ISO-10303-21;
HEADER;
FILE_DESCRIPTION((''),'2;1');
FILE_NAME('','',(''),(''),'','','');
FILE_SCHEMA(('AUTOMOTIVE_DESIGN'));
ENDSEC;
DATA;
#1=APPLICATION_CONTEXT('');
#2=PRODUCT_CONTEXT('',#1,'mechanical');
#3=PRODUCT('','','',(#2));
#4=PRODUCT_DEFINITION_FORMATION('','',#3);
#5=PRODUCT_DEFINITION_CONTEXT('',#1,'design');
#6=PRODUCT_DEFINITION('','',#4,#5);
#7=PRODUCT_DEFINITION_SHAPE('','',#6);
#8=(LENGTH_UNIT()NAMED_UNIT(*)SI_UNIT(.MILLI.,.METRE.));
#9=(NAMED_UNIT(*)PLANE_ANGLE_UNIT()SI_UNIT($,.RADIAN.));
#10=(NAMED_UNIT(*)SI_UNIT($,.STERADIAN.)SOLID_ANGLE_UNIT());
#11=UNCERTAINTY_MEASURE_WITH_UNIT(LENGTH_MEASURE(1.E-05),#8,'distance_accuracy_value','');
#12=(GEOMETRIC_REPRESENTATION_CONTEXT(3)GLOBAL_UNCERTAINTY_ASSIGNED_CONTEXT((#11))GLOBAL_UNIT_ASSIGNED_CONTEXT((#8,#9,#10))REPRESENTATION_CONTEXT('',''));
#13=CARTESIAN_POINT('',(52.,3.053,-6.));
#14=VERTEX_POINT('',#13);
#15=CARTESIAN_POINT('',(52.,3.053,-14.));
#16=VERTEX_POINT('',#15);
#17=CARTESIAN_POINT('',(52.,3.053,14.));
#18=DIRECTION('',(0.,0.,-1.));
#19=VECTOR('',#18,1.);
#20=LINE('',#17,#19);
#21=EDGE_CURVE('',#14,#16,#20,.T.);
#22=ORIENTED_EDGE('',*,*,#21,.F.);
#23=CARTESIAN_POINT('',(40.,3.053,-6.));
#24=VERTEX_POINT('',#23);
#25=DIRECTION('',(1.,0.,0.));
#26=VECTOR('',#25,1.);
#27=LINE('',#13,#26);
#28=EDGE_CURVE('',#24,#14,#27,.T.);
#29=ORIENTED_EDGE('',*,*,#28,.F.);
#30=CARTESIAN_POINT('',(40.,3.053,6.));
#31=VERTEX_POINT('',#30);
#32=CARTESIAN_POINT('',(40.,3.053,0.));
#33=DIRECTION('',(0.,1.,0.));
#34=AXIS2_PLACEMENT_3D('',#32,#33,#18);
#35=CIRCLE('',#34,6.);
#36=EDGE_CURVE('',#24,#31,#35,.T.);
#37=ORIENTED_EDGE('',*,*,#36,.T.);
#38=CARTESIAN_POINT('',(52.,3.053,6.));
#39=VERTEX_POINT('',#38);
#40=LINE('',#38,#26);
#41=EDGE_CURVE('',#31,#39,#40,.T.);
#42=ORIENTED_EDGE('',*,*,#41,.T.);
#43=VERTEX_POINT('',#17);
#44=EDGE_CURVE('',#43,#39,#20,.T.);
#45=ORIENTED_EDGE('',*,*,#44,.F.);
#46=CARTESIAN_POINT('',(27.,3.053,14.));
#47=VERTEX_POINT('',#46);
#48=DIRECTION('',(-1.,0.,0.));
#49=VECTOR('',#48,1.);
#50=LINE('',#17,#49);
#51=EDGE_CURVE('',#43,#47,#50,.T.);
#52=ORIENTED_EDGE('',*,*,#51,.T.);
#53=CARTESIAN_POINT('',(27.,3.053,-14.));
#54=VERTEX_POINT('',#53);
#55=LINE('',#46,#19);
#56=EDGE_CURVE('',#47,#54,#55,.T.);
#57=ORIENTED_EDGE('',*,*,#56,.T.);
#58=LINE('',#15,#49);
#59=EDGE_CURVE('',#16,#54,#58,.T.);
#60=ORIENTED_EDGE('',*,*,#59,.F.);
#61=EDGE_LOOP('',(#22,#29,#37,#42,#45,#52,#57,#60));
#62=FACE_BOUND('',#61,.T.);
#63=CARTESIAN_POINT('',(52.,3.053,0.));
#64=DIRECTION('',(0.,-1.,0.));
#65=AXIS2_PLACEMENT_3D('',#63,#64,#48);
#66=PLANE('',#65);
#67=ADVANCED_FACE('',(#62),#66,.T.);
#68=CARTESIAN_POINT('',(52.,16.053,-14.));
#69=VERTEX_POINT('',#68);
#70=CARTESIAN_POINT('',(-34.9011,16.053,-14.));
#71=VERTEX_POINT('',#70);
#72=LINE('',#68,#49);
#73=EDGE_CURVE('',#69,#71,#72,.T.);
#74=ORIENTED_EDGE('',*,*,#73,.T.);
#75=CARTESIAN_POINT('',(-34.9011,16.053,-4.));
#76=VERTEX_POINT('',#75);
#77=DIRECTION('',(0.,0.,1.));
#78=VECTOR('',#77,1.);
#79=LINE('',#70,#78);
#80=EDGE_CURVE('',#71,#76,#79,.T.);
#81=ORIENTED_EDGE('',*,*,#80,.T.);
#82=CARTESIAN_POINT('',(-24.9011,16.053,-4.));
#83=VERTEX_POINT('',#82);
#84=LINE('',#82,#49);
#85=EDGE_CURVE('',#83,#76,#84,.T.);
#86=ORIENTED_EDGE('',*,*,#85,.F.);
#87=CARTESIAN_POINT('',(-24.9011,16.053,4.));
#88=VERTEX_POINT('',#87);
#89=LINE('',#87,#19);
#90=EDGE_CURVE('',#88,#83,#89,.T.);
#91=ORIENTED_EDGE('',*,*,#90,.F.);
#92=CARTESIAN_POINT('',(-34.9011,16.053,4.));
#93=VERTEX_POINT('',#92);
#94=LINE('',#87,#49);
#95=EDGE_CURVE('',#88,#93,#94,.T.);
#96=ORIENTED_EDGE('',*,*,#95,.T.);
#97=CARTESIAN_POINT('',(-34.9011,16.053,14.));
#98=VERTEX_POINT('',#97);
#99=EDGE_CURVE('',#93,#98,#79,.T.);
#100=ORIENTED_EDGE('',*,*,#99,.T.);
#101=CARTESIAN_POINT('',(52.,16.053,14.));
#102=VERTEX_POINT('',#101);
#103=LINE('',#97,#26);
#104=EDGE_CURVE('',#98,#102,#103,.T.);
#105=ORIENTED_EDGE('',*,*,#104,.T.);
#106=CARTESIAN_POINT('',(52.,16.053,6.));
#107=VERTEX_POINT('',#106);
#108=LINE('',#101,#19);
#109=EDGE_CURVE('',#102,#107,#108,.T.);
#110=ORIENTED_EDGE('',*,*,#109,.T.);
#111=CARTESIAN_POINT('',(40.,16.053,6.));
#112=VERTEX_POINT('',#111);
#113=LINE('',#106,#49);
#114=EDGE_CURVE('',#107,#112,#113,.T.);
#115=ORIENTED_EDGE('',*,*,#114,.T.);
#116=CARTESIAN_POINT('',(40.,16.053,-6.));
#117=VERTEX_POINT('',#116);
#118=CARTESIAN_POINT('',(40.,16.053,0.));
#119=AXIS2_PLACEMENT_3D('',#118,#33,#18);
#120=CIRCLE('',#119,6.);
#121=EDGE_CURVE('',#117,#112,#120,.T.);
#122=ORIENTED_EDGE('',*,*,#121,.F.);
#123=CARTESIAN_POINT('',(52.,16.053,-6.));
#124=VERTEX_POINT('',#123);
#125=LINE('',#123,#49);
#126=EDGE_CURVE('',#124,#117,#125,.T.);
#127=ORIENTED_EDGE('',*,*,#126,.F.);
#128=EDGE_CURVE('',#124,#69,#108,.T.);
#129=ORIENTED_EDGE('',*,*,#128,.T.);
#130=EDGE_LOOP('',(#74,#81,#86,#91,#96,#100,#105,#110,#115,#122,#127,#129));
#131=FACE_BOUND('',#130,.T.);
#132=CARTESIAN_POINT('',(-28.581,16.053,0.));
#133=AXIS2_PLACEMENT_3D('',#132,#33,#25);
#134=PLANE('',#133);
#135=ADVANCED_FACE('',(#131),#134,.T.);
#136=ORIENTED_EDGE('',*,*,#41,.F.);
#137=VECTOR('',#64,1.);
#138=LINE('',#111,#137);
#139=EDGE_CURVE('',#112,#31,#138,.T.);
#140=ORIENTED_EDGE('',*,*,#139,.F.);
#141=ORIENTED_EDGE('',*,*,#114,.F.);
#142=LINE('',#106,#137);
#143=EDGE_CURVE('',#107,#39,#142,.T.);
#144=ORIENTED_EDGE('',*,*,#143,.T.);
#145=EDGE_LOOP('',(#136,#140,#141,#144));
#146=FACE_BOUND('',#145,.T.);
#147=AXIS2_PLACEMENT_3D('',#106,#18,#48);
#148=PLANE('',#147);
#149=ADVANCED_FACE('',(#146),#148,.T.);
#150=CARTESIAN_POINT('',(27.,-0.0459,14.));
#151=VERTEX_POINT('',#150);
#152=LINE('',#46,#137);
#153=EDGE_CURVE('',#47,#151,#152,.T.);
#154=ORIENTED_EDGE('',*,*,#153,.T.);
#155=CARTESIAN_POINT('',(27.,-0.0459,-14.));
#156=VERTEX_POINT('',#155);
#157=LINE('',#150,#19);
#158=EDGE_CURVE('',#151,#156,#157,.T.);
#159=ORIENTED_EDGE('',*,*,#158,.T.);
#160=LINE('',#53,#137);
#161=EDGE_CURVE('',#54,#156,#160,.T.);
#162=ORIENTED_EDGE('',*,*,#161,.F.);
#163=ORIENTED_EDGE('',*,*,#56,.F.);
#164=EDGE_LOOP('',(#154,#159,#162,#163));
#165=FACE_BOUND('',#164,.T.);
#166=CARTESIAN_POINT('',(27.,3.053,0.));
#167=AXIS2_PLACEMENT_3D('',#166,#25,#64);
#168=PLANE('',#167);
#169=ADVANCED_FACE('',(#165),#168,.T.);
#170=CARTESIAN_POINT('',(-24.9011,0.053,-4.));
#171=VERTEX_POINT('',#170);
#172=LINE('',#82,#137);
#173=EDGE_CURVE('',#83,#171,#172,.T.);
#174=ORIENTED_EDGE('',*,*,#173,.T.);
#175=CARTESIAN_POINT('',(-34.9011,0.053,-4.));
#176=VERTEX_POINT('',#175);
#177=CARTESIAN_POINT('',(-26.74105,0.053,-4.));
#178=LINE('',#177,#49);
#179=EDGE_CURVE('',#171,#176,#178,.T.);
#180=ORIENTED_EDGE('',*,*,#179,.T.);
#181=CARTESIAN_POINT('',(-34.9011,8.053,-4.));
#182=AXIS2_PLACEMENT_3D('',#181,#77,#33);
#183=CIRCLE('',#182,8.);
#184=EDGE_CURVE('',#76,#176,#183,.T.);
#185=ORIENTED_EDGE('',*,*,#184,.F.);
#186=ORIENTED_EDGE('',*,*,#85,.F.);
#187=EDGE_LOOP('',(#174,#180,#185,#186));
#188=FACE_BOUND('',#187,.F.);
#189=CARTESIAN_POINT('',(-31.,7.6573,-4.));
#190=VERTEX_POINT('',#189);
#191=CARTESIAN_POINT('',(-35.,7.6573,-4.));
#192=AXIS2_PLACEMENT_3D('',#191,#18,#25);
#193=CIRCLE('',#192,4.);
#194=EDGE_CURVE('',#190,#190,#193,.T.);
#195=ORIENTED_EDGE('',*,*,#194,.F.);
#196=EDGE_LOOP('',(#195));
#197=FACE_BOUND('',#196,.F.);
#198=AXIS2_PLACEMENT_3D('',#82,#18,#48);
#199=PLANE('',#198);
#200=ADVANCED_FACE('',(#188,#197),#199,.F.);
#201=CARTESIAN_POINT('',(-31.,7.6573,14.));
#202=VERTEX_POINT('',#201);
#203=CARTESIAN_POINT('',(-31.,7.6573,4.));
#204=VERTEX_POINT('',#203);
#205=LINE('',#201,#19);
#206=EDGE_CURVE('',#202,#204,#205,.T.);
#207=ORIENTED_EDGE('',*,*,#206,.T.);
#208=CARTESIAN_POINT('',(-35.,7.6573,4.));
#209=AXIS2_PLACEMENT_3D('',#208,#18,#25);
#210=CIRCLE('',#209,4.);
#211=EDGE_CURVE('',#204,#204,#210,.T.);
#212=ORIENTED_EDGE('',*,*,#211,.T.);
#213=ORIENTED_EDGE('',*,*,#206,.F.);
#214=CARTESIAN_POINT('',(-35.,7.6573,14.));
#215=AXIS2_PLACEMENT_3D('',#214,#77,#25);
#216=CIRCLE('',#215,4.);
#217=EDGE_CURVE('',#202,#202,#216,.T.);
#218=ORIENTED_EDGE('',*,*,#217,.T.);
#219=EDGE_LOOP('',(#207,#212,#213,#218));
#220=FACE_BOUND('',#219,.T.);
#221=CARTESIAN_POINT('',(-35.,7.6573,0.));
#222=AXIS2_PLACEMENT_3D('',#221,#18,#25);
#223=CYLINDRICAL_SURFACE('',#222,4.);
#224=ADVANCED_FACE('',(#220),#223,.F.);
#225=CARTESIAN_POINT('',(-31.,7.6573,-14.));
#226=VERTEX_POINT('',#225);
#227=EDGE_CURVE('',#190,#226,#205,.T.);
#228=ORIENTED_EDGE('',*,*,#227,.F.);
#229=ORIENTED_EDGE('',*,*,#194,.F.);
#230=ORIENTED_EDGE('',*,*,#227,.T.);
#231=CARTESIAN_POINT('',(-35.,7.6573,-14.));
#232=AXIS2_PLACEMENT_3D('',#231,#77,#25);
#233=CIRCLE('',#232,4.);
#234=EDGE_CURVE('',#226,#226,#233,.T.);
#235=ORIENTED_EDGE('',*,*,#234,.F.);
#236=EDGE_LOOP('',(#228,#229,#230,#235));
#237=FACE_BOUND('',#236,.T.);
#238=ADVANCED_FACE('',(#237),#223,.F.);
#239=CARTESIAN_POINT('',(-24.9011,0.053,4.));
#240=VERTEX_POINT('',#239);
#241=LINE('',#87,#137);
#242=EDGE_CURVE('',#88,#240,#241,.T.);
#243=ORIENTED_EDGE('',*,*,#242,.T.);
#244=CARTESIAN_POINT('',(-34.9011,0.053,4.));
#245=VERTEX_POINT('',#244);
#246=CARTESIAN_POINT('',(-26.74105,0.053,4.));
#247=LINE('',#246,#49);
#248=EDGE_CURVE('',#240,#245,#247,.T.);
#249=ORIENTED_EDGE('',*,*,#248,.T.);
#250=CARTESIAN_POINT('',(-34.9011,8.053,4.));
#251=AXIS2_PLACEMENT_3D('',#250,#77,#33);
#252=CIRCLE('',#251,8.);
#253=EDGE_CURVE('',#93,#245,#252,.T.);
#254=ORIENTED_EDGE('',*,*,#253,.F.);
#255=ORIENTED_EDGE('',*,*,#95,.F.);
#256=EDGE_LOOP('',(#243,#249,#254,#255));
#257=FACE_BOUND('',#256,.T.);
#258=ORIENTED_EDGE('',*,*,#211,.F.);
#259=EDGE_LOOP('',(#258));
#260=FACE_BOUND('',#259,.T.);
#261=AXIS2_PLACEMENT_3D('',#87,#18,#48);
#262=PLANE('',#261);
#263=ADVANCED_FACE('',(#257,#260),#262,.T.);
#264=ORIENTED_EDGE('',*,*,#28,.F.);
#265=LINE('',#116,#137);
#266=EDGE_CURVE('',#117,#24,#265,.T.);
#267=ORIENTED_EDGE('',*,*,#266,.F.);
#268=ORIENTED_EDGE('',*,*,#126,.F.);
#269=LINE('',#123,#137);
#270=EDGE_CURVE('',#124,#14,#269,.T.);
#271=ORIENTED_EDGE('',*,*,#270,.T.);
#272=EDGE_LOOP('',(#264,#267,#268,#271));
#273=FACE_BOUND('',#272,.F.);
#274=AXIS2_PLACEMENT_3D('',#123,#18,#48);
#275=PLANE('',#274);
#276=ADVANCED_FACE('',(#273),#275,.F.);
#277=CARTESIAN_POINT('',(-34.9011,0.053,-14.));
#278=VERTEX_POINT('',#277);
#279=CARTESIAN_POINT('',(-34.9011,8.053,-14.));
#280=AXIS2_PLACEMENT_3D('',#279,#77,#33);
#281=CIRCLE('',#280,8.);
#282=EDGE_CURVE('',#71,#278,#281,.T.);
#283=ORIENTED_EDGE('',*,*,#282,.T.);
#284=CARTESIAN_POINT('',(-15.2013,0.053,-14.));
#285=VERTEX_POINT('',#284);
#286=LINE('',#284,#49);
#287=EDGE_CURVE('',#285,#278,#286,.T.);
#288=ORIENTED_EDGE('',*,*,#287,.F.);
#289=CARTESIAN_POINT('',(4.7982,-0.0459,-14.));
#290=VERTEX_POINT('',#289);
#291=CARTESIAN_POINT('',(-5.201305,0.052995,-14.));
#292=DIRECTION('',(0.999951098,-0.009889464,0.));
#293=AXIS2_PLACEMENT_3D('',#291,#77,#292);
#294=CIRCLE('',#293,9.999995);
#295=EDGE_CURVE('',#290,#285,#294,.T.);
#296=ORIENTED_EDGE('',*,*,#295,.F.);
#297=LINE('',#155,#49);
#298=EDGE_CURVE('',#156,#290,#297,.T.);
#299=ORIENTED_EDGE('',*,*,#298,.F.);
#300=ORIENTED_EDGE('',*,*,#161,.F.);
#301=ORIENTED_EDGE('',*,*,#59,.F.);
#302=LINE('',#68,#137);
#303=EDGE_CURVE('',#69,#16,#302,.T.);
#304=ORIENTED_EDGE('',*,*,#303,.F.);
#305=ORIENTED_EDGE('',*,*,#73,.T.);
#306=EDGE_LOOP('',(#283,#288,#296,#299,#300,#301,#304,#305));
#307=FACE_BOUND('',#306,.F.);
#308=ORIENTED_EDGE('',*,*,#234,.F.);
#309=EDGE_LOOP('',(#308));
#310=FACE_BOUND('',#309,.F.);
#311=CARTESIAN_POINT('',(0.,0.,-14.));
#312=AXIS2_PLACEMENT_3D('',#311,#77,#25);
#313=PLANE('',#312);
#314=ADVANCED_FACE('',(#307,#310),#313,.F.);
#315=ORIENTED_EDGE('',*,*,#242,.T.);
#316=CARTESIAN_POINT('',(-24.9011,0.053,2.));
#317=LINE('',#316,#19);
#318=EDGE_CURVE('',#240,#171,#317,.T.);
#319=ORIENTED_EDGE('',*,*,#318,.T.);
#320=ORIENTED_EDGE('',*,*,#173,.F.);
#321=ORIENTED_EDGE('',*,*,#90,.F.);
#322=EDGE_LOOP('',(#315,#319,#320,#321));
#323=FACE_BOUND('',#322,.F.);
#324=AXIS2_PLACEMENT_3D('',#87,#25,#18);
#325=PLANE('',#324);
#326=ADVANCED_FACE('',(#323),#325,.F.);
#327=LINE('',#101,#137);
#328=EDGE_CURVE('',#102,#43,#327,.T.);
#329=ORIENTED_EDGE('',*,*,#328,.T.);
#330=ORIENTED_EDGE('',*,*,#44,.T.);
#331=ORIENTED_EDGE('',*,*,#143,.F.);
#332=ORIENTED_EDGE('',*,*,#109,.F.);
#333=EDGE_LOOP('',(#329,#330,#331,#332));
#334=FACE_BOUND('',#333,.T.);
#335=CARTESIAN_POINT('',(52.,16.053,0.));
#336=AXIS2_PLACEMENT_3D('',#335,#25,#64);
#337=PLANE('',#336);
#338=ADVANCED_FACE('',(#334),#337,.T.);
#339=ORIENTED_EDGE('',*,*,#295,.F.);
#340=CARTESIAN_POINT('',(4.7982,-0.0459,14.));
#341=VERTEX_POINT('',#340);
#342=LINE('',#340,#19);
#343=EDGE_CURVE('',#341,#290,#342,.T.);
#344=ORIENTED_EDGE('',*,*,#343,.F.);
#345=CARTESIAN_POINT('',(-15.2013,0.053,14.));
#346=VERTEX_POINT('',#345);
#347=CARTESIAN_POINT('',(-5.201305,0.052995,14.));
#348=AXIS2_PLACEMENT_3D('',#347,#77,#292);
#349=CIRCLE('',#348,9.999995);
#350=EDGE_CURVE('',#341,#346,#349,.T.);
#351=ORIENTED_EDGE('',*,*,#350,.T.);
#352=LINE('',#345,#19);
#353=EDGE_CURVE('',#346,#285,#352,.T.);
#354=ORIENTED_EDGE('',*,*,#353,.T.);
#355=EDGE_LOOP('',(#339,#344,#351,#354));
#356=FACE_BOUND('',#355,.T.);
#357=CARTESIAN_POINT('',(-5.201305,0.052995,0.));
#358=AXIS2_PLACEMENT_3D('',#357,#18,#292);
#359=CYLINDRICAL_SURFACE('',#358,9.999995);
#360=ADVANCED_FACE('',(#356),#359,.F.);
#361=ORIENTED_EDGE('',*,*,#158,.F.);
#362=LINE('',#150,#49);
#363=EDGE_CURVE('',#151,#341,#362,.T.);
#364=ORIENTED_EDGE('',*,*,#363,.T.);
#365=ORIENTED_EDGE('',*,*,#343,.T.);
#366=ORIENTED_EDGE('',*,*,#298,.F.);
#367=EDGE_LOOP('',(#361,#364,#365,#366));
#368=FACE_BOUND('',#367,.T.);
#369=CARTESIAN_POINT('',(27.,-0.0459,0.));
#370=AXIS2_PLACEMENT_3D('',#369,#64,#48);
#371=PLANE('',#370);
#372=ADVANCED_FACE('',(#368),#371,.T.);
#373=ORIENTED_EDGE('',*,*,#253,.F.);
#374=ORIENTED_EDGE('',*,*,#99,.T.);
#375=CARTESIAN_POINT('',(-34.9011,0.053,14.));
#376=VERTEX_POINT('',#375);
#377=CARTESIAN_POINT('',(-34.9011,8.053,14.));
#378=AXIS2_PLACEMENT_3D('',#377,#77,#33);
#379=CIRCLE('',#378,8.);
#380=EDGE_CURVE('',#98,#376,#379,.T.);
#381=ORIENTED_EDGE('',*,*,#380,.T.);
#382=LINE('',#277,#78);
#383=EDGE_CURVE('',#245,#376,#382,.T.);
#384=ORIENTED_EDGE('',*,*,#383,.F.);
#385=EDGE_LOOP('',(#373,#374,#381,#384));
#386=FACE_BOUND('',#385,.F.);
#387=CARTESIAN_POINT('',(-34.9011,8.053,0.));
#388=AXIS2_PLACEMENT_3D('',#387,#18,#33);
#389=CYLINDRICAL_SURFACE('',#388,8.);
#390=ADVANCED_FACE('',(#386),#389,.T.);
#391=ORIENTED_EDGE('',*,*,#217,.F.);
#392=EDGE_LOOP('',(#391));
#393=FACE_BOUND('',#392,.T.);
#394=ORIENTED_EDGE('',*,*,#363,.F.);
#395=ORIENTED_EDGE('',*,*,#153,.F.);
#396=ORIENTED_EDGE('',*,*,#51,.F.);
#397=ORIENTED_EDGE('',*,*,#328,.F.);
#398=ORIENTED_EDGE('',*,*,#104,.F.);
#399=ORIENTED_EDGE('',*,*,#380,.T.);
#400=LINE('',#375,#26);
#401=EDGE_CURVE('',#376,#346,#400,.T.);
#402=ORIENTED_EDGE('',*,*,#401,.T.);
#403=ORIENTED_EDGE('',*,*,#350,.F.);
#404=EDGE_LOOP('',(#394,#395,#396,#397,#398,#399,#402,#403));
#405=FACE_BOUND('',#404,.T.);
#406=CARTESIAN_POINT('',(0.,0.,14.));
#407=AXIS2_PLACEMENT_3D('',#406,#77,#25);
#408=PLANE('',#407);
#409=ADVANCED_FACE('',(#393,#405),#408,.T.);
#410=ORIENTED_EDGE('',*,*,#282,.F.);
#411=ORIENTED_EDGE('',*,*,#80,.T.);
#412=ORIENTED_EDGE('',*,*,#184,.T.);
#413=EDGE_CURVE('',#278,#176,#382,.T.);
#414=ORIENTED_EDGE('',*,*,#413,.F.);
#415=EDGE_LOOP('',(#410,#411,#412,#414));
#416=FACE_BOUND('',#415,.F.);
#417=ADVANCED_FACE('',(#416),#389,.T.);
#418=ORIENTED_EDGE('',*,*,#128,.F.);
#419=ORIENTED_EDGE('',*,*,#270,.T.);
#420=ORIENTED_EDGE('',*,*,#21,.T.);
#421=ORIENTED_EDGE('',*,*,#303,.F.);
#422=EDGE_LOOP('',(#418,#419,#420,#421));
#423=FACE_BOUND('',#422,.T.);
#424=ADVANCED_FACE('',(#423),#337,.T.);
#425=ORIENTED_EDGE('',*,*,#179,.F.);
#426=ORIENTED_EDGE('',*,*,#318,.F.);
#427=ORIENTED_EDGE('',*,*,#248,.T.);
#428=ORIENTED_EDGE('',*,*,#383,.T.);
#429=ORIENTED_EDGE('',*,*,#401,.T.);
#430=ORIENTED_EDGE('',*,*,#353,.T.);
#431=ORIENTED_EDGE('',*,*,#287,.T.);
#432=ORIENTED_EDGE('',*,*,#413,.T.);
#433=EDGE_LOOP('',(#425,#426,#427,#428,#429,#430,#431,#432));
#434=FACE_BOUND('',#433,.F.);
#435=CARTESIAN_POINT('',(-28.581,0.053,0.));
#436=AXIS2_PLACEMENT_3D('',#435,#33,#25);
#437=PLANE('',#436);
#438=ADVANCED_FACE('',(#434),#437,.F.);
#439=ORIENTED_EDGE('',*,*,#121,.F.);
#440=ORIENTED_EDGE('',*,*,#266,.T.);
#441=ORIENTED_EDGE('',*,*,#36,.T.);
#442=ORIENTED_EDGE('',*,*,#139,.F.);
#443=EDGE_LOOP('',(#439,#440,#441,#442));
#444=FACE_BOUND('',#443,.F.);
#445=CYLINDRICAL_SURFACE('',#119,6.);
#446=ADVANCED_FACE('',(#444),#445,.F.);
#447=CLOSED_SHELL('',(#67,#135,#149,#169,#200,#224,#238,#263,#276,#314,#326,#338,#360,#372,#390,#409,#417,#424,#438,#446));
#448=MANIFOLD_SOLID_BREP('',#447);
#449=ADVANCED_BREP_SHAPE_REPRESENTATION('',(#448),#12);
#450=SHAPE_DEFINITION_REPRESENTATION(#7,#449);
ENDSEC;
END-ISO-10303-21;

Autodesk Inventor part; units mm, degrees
ref_plane "YZ Plane" through (0, 0, 0) normal (1, 0, 0) x (0, 1, 0)
ref_plane "XZ Plane" through (0, 0, 0) normal (0, 1, 0) x (-1, 0, 0)
ref_plane "XY Plane" through (0, 0, 0) normal (0, 0, 1) x (1, 0, 0)
sketch "Szkic1" plane through (0, 0, 0) normal (0, 0, 1) x (1, 0, 0)
  line L0 (-28.581, 16.053) -> (52, 16.053)
  circle A0 centre (-35, 7.6573) radius 4
  line L1 (52, 16.053) -> (52, 3.053)
  line L2 (52, 3.053) -> (27, 3.053)
  line L3 (27, 3.053) -> (27, -0.0459)
  line L4 (27, -0.0459) -> (4.7982, -0.0459)
  arc A1 (4.7982, -0.0459) -> (-15.2013, 0.053) centre (-5.2013, 0.053) ccw
  line L5 (-28.581, 0.053) -> (-15.2013, 0.053)
  line L6 (-28.581, 0.053) -> (-34.9011, 0.053)
  line L7 (-28.581, 16.053) -> (-34.9011, 16.053)
  arc A2 (-34.9011, 16.053) -> (-34.9011, 0.053) centre (-34.9011, 8.053) ccw
  point P0 (0, 0)
  dimension "d1" = 8
  dimension "d2" = 20
  dimension "d3" = 25
  dimension "d4" = 52
  dimension "d6" = 13
  dimension "d7" = 87
  dimension "d8" = 16
extrude "Wyciągnięcie proste1" add sketch "Szkic1" along normal mid plane 28
sketch "Szkic2" plane through (-34.9011, 16.053, 14) normal (0, 1, 0) x (1, 0, 0)
  line L0 (0, 28) -> (86.9011, 28) construction
  line L1 (86.9011, 0) -> (0, 0) construction
  line L2 (86.9011, 28) -> (86.9011, 0) construction
  line L3 (0, 28) -> (-8, 28) construction
  line L4 (-8, 0) -> (0, 0) construction
  line L5 (-8, 28) -> (-8, 0) construction
  line L6 (-8, 28) -> (-8, 0) construction
  line L7 (-8, 28) -> (-8, 0) construction
  line L8 (-8, 28) -> (-8, 0) construction
  line L9 (-8, 28) -> (-8, 0) construction
  line L10 (-8, 28) -> (-8, 0) construction
  line L11 (-8, 28) -> (-8, 0) construction
  line L12 (-8, 28) -> (-8, 0) construction
  line L13 (-8, 28) -> (-8, 0) construction
  line L14 (-8, 28) -> (-8, 0) construction
  line L15 (-8, 28) -> (-8, 0) construction
  line L16 (-8, 28) -> (-8, 0) construction
  line L17 (-8, 28) -> (-8, 0) construction
  line L18 (-8, 28) -> (-8, 0) construction
  line L19 (0, 28) -> (0, 0) construction
  line L20 (86.9011, 20) -> (74.9011, 20)
  line L21 (86.9011, 8) -> (74.9011, 8)
  arc A0 (74.9011, 20) -> (74.9011, 8) centre (74.9011, 14) ccw
  line L22 (10, 10) -> (10, 18)
  line L23 (10, 18) -> (-8, 18)
  line L24 (3.9011, 0) -> (3.9011, 28) projected
  line L25 (10, 10) -> (-8, 10)
  line L26 (-8, 18) -> (-8, 10)
  line L27 (86.9011, 20) -> (86.9011, 8)
  point P0 (34.9011, 14)
  dimension "d12" = 12
  dimension "d13" = 40
  dimension "d15" = 8
  dimension "d16" = 18
extrude "Wyciągnięcie proste2" cut sketch "Szkic2" against normal through all
properties part number "Plyta dociskowa"
